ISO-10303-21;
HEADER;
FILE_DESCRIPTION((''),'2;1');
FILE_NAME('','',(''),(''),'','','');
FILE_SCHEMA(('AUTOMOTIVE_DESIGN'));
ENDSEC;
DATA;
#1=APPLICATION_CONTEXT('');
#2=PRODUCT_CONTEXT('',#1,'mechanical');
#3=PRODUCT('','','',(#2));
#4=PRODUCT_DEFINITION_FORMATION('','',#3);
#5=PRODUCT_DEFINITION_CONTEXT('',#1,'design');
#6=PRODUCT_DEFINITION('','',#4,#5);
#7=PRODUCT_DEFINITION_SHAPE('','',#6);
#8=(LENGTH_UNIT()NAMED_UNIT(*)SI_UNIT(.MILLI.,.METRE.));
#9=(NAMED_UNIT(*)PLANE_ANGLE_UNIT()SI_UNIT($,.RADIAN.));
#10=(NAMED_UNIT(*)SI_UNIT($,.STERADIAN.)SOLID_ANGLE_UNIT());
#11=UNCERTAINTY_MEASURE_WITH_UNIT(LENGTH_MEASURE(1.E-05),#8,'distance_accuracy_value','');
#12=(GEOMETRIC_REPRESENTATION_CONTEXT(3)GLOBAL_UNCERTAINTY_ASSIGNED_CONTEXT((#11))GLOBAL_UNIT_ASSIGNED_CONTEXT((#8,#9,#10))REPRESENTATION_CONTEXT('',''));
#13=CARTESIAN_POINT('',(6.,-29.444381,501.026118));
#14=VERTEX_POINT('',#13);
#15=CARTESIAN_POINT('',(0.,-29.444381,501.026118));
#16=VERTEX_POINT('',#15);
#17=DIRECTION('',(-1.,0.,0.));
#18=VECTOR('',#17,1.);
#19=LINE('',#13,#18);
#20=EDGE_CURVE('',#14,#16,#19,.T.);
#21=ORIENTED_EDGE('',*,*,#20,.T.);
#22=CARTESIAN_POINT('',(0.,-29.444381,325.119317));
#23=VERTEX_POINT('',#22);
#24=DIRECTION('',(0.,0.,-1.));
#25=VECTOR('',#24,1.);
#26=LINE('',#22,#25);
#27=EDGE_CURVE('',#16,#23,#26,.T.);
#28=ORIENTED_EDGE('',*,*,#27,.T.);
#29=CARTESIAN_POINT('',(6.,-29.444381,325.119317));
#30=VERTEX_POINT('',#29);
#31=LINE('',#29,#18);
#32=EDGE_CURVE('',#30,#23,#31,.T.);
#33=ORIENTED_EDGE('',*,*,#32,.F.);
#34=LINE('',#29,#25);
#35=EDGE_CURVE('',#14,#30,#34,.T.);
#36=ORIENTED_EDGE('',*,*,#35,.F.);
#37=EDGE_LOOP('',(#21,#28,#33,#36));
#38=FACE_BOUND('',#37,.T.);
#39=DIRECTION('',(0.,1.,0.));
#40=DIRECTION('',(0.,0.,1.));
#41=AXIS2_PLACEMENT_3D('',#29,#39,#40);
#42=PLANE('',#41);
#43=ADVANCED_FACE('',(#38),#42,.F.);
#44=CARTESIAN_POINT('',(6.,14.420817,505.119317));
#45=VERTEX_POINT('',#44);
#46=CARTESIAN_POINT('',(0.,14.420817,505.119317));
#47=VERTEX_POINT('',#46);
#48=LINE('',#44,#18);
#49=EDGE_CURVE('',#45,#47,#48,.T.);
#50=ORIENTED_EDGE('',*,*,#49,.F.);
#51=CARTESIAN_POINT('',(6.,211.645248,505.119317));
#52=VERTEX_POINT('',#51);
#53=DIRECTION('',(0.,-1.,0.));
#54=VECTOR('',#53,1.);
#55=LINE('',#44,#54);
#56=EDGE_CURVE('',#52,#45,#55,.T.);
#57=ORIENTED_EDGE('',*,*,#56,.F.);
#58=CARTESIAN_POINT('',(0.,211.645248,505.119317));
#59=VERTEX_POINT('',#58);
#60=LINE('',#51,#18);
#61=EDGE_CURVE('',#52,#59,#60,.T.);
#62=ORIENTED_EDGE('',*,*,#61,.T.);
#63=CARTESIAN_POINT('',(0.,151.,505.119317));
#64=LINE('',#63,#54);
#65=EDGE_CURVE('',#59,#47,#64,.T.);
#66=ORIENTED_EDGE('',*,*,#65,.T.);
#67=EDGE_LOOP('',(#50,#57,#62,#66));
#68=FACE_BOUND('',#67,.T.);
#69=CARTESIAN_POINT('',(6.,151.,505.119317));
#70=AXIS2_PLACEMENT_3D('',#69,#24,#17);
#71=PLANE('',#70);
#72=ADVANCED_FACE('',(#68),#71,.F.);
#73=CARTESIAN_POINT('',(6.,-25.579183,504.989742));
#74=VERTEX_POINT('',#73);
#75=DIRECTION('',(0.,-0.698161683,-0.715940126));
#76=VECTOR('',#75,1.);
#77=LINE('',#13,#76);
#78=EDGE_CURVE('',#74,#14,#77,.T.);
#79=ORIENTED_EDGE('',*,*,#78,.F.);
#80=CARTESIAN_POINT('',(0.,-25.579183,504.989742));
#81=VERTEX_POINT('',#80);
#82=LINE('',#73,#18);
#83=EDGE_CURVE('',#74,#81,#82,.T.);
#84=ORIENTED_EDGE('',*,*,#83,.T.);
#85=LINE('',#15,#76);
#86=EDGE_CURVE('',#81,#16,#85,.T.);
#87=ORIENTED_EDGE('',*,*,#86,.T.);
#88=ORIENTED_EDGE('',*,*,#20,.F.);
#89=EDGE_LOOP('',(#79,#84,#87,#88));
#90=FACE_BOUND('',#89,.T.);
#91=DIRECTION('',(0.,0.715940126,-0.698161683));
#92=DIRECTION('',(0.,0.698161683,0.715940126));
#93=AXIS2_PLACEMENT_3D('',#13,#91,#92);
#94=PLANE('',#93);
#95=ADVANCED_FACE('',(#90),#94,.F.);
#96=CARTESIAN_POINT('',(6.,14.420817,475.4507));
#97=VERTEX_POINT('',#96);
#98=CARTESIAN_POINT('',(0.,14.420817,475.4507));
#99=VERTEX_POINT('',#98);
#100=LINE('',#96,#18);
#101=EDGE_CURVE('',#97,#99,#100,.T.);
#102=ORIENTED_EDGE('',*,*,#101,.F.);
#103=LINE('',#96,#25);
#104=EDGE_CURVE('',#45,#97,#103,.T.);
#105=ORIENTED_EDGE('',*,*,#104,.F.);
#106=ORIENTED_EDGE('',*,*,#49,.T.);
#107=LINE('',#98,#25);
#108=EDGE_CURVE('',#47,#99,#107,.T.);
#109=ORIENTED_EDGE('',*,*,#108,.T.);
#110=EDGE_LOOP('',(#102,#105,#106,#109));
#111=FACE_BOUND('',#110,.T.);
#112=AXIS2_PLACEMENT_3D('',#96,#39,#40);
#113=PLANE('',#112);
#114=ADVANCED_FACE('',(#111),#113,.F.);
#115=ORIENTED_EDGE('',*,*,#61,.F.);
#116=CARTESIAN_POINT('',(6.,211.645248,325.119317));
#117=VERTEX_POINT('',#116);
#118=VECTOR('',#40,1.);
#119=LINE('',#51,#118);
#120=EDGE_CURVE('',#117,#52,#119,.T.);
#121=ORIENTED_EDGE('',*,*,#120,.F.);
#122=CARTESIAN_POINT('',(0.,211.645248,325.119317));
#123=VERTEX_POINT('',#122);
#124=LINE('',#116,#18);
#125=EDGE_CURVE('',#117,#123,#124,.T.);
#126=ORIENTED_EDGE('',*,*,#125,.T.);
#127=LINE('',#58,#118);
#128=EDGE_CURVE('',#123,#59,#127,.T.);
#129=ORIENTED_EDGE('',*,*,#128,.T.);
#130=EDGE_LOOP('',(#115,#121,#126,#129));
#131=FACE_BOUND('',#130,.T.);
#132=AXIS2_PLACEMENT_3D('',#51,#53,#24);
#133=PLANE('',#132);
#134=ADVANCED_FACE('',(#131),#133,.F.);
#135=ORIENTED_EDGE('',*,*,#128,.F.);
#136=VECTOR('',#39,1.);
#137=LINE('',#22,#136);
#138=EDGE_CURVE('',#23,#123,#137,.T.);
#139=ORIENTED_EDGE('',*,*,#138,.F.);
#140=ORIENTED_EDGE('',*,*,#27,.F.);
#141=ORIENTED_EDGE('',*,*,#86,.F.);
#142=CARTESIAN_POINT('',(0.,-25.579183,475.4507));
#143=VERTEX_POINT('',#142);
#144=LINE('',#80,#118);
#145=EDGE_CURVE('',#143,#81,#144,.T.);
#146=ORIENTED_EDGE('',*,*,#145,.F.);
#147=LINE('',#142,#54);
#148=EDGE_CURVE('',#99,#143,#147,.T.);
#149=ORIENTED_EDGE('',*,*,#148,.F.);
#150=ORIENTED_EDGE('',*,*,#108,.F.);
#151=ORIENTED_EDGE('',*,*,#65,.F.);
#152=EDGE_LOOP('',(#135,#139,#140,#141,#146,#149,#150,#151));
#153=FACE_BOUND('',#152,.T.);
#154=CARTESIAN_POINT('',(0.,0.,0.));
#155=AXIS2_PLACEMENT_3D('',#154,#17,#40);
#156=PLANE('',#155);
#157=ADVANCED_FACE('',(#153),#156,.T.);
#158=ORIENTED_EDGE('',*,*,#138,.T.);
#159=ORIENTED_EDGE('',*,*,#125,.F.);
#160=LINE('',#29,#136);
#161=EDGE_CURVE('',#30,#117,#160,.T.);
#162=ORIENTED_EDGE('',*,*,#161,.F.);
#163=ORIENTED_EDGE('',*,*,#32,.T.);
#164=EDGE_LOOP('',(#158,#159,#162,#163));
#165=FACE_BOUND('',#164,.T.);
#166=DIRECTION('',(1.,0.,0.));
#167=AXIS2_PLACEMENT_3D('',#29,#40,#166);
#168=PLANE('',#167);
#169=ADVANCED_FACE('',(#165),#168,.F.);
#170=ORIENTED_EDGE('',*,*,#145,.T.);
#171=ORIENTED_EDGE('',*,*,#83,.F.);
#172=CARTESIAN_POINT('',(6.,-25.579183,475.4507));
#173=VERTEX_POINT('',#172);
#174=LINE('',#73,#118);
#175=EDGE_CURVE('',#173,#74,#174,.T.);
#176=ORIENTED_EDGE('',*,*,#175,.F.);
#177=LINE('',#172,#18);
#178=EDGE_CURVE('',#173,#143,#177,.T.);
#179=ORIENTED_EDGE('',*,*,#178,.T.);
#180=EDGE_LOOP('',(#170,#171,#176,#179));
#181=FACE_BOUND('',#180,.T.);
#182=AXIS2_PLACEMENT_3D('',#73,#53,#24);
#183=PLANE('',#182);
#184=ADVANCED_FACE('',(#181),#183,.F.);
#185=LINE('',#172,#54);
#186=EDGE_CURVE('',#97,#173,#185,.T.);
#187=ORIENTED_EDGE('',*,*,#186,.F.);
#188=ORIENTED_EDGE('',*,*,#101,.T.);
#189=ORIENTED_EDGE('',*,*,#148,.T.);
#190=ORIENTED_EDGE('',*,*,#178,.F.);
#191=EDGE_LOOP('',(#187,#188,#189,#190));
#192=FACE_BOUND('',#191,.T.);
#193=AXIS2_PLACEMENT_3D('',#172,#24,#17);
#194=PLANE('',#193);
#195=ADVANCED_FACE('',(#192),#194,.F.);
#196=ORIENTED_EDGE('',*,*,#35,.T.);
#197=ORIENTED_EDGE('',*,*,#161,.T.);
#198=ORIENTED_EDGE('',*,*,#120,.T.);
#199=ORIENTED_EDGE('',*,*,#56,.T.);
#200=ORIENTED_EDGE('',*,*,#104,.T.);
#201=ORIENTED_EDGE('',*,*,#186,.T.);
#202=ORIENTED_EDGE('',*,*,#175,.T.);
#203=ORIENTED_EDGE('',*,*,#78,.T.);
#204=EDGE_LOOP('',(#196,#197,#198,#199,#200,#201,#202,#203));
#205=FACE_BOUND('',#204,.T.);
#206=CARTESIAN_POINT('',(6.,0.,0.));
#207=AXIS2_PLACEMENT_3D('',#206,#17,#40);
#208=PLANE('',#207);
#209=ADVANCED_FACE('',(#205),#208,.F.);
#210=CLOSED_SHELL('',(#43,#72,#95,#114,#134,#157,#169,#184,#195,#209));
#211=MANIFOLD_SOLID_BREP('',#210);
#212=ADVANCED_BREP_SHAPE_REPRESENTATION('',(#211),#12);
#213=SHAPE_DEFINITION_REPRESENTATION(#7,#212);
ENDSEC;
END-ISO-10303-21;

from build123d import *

# Parameters (mm, degrees)
BOSS_EXTRUDE1_DEPTH = 6


with BuildPart() as part:
    # Sketch1 → Boss-Extrude1 (new body)
    with BuildSketch(Plane.YZ):
        Polygon((211.64524763, 505.119316824), (211.64524763, 325.119316824), (-29.444380918, 325.119316824), (-29.444380918, 501.026117873), (-25.579182926, 504.989741782), (-25.579182926, 475.450700315), (14.420817074, 475.450700315), (14.420817074, 505.119316824), (151, 505.119316824), align=None)
    extrude(amount=BOSS_EXTRUDE1_DEPTH)


solid = part.part
